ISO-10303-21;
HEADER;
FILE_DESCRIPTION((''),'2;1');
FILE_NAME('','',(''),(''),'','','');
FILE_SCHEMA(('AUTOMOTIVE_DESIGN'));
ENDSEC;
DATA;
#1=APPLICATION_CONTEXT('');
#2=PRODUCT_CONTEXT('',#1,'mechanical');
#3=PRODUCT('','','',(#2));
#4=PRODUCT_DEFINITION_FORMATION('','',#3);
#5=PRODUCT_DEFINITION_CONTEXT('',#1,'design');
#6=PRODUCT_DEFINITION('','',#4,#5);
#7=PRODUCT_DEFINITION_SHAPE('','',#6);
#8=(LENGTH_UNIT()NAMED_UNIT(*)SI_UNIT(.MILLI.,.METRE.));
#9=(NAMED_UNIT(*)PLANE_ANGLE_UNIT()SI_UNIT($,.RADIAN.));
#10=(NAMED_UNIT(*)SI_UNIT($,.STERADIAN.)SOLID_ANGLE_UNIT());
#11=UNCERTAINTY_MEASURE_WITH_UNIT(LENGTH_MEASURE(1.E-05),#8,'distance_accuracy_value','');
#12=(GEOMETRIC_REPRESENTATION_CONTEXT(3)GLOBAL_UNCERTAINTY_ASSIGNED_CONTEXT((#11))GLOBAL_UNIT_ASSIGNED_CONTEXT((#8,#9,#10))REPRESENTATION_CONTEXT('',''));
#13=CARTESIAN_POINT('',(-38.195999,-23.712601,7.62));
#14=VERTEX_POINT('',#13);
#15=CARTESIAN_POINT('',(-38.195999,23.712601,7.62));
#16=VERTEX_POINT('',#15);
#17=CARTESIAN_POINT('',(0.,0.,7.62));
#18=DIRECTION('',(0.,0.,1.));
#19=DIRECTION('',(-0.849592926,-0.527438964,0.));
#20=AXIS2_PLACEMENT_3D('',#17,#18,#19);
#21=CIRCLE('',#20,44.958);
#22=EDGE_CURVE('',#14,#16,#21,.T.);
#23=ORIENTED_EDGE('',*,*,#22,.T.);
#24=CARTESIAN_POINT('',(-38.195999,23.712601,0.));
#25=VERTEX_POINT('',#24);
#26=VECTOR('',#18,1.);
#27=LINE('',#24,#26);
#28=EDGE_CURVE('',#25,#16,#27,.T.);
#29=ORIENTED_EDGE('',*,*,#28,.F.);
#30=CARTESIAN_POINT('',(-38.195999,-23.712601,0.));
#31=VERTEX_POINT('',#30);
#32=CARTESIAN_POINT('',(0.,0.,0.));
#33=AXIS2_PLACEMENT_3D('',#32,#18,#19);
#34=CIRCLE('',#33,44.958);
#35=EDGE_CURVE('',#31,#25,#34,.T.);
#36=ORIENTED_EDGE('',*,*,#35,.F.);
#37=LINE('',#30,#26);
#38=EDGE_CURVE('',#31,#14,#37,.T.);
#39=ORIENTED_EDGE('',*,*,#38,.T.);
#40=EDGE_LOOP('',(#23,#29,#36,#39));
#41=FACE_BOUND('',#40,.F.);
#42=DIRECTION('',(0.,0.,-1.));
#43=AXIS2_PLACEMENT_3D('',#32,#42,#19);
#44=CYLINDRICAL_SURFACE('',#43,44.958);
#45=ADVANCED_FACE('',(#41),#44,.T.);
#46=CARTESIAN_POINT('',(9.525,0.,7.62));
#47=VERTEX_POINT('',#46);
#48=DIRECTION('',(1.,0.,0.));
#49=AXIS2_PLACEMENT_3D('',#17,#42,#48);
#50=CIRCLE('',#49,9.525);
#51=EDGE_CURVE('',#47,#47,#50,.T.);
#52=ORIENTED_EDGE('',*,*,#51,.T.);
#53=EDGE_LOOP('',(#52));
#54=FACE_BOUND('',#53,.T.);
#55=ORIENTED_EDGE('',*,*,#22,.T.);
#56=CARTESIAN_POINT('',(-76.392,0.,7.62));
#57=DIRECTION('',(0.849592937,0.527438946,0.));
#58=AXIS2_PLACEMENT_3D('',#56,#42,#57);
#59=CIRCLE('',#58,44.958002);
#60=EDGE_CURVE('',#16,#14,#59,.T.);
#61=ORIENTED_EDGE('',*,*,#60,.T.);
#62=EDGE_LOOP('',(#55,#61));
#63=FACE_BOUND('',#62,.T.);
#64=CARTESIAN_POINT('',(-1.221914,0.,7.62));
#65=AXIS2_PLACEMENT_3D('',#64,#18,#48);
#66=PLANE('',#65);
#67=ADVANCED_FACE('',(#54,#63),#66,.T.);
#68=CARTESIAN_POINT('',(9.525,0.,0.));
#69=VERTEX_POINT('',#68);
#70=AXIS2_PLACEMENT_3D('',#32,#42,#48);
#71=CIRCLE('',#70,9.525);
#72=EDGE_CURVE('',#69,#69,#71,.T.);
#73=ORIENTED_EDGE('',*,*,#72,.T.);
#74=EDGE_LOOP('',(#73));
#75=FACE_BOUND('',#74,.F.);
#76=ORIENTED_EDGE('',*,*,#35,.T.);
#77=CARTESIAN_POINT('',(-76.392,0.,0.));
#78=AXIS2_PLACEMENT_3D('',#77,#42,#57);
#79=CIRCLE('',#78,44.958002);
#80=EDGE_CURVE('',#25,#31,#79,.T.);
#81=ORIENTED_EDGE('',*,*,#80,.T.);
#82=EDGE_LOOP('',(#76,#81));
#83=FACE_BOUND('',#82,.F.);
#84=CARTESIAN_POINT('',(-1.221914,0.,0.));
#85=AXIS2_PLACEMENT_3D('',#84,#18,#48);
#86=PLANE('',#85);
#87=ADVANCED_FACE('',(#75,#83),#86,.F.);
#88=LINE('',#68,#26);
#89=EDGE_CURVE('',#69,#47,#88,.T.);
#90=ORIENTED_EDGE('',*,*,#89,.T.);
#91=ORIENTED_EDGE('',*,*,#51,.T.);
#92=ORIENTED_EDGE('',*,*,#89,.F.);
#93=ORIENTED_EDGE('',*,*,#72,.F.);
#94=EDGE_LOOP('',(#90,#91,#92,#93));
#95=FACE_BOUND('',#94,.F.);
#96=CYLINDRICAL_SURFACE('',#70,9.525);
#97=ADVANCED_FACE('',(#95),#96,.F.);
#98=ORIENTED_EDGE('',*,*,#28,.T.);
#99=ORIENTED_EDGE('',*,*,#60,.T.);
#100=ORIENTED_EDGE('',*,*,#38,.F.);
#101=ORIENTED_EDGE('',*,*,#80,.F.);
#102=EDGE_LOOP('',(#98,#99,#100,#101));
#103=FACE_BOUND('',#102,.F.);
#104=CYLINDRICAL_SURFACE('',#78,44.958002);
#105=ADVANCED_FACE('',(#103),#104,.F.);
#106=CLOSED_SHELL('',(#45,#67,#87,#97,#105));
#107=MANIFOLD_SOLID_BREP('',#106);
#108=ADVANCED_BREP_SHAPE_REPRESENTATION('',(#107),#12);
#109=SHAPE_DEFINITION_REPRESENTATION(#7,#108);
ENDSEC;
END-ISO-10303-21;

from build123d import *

# Parameters (mm, degrees)
F1_DEPTH = 7.62
F2_R     = 9.525
F3_DEPTH = 25.4


with BuildPart() as f1:
    # F0 (on Top) → F1 (new body)
    with BuildSketch(Plane.XY):
        with BuildLine():
            ThreePointArc((-38.195999, 23.712601), (-31.433998, 0), (-38.195999, -23.712601))
            ThreePointArc((-38.195999, -23.712601), (44.958, 0), (-38.195999, 23.712601))
        make_face()
    extrude(amount=F1_DEPTH)

    # F2 (on face) → F3 (cut)
    with BuildSketch(Plane(origin=(0, 0, 0), x_dir=(1, 0, 0), z_dir=(0, 0, -1))):
        Circle(F2_R)
    extrude(amount=-F3_DEPTH, mode=Mode.SUBTRACT)


solid = f1.part
